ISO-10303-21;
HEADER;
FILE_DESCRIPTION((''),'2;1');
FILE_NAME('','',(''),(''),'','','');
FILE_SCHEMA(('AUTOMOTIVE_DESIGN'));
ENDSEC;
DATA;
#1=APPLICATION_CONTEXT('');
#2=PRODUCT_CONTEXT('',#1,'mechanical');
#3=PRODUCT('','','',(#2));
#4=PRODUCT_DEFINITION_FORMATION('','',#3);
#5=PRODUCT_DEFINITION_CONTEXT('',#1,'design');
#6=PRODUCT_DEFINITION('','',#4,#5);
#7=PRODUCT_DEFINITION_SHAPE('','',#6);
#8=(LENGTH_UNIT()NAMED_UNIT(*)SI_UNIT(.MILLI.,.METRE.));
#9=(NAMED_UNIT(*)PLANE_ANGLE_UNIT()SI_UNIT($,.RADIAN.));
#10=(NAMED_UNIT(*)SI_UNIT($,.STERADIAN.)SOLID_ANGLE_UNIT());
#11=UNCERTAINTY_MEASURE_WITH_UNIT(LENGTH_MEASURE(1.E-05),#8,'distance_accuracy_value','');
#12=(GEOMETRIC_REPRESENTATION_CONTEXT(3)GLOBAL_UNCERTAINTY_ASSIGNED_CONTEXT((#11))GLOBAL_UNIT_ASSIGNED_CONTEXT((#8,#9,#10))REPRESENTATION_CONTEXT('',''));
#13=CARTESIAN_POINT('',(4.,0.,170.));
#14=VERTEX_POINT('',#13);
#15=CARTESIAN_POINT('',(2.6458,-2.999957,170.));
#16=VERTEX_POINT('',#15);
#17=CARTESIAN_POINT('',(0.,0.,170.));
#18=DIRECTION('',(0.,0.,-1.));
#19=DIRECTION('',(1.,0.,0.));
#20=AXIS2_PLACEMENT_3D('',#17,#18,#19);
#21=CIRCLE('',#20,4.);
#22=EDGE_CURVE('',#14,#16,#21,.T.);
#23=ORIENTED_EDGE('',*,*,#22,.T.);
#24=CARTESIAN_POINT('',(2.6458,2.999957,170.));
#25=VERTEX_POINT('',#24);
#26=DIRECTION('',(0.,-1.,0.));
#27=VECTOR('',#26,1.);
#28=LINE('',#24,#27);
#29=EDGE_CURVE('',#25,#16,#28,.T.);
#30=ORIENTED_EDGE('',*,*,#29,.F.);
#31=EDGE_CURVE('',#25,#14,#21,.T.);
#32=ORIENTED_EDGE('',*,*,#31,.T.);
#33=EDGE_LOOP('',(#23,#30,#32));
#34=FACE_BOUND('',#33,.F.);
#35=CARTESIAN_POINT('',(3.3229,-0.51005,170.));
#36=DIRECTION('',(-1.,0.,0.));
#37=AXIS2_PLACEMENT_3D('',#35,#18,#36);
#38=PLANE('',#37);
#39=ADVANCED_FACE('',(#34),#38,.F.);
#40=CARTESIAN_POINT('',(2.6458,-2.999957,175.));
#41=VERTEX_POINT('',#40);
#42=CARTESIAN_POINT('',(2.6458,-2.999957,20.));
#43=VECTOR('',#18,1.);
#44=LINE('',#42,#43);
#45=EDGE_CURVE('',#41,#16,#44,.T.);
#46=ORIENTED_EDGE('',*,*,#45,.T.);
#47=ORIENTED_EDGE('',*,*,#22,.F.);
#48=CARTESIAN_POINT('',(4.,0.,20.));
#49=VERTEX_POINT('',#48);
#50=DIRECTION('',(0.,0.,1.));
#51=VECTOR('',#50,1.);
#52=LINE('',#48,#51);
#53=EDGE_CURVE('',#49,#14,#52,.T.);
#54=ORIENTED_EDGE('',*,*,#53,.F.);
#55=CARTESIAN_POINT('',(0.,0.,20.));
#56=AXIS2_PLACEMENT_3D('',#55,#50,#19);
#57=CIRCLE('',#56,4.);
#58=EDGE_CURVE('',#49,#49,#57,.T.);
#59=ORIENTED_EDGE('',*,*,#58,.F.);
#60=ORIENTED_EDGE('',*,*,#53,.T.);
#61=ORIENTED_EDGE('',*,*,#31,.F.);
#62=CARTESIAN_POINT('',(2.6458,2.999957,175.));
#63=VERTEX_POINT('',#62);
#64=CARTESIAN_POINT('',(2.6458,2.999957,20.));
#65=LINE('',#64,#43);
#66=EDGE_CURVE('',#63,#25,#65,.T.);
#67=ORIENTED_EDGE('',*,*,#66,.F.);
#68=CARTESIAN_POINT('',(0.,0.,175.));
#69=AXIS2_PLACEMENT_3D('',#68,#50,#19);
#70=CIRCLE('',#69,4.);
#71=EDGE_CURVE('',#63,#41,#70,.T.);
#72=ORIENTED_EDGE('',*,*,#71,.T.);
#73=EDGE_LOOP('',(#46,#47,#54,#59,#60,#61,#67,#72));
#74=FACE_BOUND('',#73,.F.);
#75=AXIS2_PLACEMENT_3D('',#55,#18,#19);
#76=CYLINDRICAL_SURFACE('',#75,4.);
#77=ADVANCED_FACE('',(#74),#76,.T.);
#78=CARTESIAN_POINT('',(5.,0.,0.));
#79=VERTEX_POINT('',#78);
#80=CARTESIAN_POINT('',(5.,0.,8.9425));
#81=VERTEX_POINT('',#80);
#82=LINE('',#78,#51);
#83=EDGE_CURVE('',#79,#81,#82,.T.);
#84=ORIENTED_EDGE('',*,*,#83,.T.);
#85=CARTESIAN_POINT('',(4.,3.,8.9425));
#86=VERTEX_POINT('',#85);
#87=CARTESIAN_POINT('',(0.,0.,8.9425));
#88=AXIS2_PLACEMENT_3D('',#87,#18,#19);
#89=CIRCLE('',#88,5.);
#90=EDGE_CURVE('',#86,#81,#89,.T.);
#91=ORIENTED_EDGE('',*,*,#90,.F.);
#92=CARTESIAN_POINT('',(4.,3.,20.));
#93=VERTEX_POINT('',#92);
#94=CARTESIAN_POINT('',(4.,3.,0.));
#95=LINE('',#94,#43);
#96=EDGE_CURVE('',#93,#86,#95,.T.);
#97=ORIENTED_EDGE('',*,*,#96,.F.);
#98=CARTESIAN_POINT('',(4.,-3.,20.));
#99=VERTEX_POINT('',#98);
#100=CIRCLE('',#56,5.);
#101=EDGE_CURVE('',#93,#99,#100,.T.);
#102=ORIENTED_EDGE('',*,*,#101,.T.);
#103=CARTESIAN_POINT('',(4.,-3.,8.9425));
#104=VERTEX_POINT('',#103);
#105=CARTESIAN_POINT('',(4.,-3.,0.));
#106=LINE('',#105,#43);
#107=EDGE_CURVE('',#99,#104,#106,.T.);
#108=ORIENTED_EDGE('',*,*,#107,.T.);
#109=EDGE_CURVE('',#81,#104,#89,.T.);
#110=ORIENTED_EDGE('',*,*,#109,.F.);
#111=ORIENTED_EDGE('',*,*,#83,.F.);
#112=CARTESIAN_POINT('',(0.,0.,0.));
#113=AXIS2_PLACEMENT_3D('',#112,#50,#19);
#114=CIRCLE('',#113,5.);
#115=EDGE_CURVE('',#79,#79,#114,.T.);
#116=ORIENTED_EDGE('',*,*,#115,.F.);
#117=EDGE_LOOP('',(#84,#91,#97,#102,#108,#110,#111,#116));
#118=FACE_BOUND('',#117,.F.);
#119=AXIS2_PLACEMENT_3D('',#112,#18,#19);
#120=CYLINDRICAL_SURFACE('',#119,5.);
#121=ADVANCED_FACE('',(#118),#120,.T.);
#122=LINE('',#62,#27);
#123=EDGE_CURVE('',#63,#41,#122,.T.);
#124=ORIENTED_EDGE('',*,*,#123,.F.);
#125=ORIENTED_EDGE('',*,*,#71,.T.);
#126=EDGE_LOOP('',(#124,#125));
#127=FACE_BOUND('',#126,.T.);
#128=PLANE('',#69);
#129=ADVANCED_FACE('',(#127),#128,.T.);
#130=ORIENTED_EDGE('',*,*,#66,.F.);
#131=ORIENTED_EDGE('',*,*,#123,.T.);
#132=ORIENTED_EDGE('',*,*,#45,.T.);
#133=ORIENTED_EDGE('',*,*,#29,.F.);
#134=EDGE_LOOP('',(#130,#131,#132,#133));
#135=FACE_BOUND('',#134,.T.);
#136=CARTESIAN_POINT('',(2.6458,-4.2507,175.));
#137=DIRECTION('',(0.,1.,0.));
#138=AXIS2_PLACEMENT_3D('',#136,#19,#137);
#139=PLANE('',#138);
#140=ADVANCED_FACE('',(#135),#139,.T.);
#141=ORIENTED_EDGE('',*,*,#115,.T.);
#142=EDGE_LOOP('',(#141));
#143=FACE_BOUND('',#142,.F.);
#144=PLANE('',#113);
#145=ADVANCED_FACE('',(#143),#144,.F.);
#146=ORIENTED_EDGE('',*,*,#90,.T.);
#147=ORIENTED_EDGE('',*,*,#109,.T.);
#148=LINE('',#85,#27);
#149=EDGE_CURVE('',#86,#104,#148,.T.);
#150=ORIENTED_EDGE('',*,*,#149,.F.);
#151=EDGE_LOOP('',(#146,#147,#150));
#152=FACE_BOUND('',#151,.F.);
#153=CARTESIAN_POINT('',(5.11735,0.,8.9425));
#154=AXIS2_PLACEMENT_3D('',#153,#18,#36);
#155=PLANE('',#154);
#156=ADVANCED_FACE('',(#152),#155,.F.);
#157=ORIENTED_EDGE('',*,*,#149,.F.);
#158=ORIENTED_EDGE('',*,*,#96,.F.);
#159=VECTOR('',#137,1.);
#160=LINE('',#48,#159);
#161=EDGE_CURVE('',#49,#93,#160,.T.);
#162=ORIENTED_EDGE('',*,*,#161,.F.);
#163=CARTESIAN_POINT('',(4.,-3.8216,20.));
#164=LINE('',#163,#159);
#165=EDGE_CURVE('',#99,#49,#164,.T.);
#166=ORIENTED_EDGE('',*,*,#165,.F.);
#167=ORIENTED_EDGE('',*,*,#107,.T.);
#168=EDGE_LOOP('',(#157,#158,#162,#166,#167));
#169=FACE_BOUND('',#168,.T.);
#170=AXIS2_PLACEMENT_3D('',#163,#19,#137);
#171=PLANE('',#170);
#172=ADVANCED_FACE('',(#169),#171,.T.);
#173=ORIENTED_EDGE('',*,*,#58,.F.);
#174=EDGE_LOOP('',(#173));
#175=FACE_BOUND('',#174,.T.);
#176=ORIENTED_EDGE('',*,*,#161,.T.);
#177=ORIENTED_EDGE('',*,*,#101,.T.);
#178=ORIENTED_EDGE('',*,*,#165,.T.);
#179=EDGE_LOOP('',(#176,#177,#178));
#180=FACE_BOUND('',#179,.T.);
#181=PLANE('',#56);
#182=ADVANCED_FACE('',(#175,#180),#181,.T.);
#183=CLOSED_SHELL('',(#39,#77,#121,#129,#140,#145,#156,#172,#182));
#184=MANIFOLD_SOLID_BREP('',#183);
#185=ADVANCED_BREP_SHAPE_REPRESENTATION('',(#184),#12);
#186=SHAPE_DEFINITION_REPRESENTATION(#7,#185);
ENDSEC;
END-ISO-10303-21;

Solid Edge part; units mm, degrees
sketch "Sketch1" plane through (0, 0, 0) normal (0, 0, 1) x (1, 0, 0)
  circle A0 centre (0, 0) radius 5
extrude "Protrusion1" add sketch "Sketch1" along normal blind 20
sketch "Sketch2" plane through (0, 0, 20) normal (0, 0, 1) x (1, 0, 0)
  circle A0 centre (0, 0) radius 4
extrude "ExtrudedProtrusion_2" add sketch "Sketch2" along normal blind 155
sketch "Sketch3" plane through (0, 0, 20) normal (0, 0, 1) x (0, -1, 0)
  line L0 (-3.8216, 6.2347) -> (3.8216, 6.2347)
  line L1 (3.8216, 6.2347) -> (3.8216, 4)
  line L2 (3.8216, 4) -> (0, 4)
  line L3 (0, 4) -> (-3.8216, 4)
  line L4 (-3.8216, 4) -> (-3.8216, 6.2347)
extrude "ExtrudedCutout_1" cut sketch "Sketch3" against normal blind 11.0575
sketch "Sketch4" plane through (0, 0, 175) normal (0, 0, 1) x (0, -1, 0)
  line L0 (-3.2306, 4) -> (4.2507, 4)
  line L1 (4.2507, 4) -> (4.2507, 2.6458)
  line L2 (4.2507, 2.6458) -> (0, 2.6458)
  line L3 (0, 2.6458) -> (-3.2306, 2.6458)
  line L4 (-3.2306, 2.6458) -> (-3.2306, 4)
extrude "ExtrudedCutout_2" cut sketch "Sketch4" against normal blind 5
